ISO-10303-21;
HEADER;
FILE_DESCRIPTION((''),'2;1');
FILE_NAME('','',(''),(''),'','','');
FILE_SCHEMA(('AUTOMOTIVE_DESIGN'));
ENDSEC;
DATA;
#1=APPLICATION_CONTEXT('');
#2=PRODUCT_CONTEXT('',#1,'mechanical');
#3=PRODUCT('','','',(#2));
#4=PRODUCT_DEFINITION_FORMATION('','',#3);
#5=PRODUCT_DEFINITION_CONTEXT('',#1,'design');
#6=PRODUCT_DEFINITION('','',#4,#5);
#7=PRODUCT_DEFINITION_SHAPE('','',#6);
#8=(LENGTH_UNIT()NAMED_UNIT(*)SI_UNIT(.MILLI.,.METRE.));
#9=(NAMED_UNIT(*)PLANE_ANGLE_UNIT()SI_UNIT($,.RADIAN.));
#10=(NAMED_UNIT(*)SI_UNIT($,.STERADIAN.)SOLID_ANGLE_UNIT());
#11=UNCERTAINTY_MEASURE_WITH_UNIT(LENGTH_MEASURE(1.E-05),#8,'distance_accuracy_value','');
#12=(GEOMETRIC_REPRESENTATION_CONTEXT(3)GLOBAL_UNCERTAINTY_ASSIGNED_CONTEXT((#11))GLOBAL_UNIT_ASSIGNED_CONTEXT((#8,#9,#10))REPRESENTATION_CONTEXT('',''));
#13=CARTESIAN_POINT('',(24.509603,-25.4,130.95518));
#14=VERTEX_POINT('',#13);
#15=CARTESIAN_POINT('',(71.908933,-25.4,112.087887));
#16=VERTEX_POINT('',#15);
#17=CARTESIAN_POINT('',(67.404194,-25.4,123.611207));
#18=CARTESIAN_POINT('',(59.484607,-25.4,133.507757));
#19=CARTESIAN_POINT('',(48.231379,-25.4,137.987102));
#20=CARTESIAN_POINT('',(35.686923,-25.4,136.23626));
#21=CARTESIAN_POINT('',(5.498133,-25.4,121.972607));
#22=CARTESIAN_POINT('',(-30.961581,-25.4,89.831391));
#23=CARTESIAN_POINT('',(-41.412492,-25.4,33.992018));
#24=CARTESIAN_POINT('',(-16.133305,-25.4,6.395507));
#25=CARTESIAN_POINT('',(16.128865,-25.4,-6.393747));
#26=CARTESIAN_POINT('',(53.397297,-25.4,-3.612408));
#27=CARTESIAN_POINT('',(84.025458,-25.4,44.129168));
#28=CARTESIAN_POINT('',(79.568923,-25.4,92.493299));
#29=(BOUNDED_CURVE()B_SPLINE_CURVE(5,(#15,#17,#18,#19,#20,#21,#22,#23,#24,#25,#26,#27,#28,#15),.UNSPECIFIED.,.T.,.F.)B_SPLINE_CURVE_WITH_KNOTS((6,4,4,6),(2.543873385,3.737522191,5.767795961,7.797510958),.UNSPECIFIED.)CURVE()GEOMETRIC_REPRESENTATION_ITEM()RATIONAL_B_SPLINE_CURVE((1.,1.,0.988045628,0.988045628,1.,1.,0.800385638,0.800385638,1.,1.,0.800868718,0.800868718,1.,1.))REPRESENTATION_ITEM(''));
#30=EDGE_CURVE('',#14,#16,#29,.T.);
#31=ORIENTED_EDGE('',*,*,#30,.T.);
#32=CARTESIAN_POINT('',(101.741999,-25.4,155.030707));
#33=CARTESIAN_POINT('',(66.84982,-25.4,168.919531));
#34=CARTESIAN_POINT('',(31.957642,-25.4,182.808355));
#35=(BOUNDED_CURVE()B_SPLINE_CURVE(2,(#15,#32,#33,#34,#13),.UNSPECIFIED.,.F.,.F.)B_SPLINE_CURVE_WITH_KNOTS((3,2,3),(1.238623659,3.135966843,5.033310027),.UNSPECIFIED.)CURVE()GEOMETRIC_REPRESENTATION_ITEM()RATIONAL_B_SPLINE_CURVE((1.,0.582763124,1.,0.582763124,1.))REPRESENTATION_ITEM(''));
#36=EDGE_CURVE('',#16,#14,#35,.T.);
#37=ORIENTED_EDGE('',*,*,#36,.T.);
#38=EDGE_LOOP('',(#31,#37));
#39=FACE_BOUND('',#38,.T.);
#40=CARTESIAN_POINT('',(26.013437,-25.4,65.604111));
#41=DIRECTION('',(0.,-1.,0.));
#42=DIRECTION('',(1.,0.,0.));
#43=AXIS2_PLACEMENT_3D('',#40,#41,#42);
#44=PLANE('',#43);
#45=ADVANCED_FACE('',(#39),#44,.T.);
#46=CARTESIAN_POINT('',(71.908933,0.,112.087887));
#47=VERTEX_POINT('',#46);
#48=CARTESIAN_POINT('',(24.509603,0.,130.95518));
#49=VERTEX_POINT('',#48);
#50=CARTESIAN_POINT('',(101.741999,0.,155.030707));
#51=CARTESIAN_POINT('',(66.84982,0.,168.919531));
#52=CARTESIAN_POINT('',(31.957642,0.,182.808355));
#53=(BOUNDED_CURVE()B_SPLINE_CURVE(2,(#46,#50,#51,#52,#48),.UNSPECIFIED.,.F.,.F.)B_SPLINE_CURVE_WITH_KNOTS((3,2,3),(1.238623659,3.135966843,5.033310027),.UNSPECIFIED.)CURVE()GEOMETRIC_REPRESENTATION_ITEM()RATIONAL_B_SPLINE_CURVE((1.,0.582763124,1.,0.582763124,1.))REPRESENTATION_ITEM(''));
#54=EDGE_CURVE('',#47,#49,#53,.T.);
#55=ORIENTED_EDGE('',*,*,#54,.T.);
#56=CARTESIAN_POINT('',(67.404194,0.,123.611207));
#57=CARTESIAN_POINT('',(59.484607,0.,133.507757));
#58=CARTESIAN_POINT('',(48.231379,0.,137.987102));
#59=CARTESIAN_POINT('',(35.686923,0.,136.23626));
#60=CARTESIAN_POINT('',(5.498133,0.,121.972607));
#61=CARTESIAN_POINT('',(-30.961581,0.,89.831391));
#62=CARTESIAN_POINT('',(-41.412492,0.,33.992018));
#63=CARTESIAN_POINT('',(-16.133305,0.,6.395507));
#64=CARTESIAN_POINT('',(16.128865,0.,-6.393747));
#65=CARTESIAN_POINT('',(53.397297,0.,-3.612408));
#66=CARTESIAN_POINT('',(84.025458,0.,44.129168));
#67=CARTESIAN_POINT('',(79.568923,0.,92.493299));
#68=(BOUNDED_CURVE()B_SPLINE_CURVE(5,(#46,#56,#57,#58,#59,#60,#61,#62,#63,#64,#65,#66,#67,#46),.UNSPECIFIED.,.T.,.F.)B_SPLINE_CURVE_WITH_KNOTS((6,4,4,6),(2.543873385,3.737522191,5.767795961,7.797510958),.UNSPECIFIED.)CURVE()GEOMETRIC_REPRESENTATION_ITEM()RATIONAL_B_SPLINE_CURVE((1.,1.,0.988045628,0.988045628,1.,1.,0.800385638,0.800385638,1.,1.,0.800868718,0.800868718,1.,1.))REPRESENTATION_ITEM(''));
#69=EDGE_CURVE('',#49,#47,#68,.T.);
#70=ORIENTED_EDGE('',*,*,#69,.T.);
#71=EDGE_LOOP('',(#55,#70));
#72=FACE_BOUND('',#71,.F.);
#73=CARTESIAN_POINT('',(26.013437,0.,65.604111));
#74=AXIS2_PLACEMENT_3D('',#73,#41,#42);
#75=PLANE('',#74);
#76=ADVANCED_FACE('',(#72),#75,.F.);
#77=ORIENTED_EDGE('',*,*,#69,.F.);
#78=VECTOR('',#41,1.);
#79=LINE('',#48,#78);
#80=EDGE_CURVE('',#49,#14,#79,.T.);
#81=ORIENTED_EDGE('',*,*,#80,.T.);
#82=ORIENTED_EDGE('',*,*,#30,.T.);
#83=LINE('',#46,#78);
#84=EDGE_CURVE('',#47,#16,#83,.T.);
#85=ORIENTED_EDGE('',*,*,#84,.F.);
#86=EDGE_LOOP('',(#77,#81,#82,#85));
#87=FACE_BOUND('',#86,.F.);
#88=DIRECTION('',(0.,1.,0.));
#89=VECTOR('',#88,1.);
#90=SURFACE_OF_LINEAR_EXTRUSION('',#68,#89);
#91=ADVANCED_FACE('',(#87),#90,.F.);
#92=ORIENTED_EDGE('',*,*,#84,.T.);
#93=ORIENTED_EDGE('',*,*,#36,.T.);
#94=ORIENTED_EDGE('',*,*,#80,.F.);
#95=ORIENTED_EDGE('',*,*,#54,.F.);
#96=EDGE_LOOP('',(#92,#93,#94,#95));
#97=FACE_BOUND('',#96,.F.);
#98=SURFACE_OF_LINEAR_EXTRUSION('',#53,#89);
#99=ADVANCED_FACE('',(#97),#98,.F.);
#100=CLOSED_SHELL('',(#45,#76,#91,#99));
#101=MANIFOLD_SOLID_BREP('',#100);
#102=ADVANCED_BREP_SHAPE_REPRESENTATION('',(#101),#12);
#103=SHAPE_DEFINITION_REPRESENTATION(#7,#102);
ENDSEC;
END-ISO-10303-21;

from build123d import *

# Parameters (mm, degrees)
F1_DEPTH = 25.4


with BuildPart() as f1:
    # F0 (on Front) → F1 (new body)
    with BuildSketch(Plane.XZ):
        with BuildLine():
            add(Edge.make_bspline(
                [(24.509603263, 130.9551801315), (-137.3864498713, 54.4622447016), (0, 0)],
                knots=[3.7375221912, 3.7375221912, 3.7375221912, 6.2831853072, 6.2831853072, 6.2831853072], degree=2, weights=[1, 0.2935752653, 1]))
            add(Edge.make_bspline(
                [(0, 0), (136.9496426876, -54.2890871614), (71.9089332794, 112.0878868968)],
                knots=[0, 0, 0, 2.5438733855, 2.5438733855, 2.5438733855], degree=2, weights=[1, 0.2944305815, 1]))
            add(Edge.make_bspline(
                [(38.7641079724, 97.0910191536), (56.6578267718, 90.1348794245), (71.9089332794, 112.0878868968)],
                knots=[0, 0, 0, 1.2386236591, 1.2386236591, 1.2386236591], degree=2, weights=[1, 0.8142781151, 1]))
            add(Edge.make_bspline(
                [(24.509603263, 130.9551801315), (20.6565539276, 104.1302868151), (38.7641079724, 97.0910191536)],
                knots=[5.0333100274, 5.0333100274, 5.0333100274, 6.2831853072, 6.2831853072, 6.2831853072], degree=2, weights=[1, 0.8109996047, 1]))
        make_face()
        with BuildLine():
            add(Edge.make_bspline(
                [(38.7641079724, 97.0910191536), (56.6578267718, 90.1348794245), (71.9089332794, 112.0878868968)],
                knots=[0, 0, 0, 1.2386236591, 1.2386236591, 1.2386236591], degree=2, weights=[1, 0.8142781151, 1]))
            add(Edge.make_bspline(
                [(71.9089332794, 112.0878868968), (58.2932702721, 146.9173472695), (24.509603263, 130.9551801315)],
                knots=[2.5438733855, 2.5438733855, 2.5438733855, 3.7375221912, 3.7375221912, 3.7375221912], degree=2, weights=[1, 0.8271245274, 1]))
            add(Edge.make_bspline(
                [(24.509603263, 130.9551801315), (20.6565539276, 104.1302868151), (38.7641079724, 97.0910191536)],
                knots=[5.0333100274, 5.0333100274, 5.0333100274, 6.2831853072, 6.2831853072, 6.2831853072], degree=2, weights=[1, 0.8109996047, 1]))
        make_face()
        with BuildLine():
            add(Edge.make_bspline(
                [(71.9089332794, 112.0878868968), (58.2932702721, 146.9173472695), (24.509603263, 130.9551801315)],
                knots=[2.5438733855, 2.5438733855, 2.5438733855, 3.7375221912, 3.7375221912, 3.7375221912], degree=2, weights=[1, 0.8271245274, 1]))
            add(Edge.make_bspline(
                [(71.9089332794, 112.0878868968), (101.7419991075, 155.0307066009), (66.8498204983, 168.9195308774), (31.9576418891, 182.8083551538), (24.509603263, 130.9551801315)],
                knots=[1.2386236591, 1.2386236591, 1.2386236591, 3.1359668433, 3.1359668433, 5.0333100274, 5.0333100274, 5.0333100274], degree=2, weights=[1, 0.5827631235, 1, 0.5827631235, 1]))
        make_face()
    extrude(amount=F1_DEPTH)


solid = f1.part
